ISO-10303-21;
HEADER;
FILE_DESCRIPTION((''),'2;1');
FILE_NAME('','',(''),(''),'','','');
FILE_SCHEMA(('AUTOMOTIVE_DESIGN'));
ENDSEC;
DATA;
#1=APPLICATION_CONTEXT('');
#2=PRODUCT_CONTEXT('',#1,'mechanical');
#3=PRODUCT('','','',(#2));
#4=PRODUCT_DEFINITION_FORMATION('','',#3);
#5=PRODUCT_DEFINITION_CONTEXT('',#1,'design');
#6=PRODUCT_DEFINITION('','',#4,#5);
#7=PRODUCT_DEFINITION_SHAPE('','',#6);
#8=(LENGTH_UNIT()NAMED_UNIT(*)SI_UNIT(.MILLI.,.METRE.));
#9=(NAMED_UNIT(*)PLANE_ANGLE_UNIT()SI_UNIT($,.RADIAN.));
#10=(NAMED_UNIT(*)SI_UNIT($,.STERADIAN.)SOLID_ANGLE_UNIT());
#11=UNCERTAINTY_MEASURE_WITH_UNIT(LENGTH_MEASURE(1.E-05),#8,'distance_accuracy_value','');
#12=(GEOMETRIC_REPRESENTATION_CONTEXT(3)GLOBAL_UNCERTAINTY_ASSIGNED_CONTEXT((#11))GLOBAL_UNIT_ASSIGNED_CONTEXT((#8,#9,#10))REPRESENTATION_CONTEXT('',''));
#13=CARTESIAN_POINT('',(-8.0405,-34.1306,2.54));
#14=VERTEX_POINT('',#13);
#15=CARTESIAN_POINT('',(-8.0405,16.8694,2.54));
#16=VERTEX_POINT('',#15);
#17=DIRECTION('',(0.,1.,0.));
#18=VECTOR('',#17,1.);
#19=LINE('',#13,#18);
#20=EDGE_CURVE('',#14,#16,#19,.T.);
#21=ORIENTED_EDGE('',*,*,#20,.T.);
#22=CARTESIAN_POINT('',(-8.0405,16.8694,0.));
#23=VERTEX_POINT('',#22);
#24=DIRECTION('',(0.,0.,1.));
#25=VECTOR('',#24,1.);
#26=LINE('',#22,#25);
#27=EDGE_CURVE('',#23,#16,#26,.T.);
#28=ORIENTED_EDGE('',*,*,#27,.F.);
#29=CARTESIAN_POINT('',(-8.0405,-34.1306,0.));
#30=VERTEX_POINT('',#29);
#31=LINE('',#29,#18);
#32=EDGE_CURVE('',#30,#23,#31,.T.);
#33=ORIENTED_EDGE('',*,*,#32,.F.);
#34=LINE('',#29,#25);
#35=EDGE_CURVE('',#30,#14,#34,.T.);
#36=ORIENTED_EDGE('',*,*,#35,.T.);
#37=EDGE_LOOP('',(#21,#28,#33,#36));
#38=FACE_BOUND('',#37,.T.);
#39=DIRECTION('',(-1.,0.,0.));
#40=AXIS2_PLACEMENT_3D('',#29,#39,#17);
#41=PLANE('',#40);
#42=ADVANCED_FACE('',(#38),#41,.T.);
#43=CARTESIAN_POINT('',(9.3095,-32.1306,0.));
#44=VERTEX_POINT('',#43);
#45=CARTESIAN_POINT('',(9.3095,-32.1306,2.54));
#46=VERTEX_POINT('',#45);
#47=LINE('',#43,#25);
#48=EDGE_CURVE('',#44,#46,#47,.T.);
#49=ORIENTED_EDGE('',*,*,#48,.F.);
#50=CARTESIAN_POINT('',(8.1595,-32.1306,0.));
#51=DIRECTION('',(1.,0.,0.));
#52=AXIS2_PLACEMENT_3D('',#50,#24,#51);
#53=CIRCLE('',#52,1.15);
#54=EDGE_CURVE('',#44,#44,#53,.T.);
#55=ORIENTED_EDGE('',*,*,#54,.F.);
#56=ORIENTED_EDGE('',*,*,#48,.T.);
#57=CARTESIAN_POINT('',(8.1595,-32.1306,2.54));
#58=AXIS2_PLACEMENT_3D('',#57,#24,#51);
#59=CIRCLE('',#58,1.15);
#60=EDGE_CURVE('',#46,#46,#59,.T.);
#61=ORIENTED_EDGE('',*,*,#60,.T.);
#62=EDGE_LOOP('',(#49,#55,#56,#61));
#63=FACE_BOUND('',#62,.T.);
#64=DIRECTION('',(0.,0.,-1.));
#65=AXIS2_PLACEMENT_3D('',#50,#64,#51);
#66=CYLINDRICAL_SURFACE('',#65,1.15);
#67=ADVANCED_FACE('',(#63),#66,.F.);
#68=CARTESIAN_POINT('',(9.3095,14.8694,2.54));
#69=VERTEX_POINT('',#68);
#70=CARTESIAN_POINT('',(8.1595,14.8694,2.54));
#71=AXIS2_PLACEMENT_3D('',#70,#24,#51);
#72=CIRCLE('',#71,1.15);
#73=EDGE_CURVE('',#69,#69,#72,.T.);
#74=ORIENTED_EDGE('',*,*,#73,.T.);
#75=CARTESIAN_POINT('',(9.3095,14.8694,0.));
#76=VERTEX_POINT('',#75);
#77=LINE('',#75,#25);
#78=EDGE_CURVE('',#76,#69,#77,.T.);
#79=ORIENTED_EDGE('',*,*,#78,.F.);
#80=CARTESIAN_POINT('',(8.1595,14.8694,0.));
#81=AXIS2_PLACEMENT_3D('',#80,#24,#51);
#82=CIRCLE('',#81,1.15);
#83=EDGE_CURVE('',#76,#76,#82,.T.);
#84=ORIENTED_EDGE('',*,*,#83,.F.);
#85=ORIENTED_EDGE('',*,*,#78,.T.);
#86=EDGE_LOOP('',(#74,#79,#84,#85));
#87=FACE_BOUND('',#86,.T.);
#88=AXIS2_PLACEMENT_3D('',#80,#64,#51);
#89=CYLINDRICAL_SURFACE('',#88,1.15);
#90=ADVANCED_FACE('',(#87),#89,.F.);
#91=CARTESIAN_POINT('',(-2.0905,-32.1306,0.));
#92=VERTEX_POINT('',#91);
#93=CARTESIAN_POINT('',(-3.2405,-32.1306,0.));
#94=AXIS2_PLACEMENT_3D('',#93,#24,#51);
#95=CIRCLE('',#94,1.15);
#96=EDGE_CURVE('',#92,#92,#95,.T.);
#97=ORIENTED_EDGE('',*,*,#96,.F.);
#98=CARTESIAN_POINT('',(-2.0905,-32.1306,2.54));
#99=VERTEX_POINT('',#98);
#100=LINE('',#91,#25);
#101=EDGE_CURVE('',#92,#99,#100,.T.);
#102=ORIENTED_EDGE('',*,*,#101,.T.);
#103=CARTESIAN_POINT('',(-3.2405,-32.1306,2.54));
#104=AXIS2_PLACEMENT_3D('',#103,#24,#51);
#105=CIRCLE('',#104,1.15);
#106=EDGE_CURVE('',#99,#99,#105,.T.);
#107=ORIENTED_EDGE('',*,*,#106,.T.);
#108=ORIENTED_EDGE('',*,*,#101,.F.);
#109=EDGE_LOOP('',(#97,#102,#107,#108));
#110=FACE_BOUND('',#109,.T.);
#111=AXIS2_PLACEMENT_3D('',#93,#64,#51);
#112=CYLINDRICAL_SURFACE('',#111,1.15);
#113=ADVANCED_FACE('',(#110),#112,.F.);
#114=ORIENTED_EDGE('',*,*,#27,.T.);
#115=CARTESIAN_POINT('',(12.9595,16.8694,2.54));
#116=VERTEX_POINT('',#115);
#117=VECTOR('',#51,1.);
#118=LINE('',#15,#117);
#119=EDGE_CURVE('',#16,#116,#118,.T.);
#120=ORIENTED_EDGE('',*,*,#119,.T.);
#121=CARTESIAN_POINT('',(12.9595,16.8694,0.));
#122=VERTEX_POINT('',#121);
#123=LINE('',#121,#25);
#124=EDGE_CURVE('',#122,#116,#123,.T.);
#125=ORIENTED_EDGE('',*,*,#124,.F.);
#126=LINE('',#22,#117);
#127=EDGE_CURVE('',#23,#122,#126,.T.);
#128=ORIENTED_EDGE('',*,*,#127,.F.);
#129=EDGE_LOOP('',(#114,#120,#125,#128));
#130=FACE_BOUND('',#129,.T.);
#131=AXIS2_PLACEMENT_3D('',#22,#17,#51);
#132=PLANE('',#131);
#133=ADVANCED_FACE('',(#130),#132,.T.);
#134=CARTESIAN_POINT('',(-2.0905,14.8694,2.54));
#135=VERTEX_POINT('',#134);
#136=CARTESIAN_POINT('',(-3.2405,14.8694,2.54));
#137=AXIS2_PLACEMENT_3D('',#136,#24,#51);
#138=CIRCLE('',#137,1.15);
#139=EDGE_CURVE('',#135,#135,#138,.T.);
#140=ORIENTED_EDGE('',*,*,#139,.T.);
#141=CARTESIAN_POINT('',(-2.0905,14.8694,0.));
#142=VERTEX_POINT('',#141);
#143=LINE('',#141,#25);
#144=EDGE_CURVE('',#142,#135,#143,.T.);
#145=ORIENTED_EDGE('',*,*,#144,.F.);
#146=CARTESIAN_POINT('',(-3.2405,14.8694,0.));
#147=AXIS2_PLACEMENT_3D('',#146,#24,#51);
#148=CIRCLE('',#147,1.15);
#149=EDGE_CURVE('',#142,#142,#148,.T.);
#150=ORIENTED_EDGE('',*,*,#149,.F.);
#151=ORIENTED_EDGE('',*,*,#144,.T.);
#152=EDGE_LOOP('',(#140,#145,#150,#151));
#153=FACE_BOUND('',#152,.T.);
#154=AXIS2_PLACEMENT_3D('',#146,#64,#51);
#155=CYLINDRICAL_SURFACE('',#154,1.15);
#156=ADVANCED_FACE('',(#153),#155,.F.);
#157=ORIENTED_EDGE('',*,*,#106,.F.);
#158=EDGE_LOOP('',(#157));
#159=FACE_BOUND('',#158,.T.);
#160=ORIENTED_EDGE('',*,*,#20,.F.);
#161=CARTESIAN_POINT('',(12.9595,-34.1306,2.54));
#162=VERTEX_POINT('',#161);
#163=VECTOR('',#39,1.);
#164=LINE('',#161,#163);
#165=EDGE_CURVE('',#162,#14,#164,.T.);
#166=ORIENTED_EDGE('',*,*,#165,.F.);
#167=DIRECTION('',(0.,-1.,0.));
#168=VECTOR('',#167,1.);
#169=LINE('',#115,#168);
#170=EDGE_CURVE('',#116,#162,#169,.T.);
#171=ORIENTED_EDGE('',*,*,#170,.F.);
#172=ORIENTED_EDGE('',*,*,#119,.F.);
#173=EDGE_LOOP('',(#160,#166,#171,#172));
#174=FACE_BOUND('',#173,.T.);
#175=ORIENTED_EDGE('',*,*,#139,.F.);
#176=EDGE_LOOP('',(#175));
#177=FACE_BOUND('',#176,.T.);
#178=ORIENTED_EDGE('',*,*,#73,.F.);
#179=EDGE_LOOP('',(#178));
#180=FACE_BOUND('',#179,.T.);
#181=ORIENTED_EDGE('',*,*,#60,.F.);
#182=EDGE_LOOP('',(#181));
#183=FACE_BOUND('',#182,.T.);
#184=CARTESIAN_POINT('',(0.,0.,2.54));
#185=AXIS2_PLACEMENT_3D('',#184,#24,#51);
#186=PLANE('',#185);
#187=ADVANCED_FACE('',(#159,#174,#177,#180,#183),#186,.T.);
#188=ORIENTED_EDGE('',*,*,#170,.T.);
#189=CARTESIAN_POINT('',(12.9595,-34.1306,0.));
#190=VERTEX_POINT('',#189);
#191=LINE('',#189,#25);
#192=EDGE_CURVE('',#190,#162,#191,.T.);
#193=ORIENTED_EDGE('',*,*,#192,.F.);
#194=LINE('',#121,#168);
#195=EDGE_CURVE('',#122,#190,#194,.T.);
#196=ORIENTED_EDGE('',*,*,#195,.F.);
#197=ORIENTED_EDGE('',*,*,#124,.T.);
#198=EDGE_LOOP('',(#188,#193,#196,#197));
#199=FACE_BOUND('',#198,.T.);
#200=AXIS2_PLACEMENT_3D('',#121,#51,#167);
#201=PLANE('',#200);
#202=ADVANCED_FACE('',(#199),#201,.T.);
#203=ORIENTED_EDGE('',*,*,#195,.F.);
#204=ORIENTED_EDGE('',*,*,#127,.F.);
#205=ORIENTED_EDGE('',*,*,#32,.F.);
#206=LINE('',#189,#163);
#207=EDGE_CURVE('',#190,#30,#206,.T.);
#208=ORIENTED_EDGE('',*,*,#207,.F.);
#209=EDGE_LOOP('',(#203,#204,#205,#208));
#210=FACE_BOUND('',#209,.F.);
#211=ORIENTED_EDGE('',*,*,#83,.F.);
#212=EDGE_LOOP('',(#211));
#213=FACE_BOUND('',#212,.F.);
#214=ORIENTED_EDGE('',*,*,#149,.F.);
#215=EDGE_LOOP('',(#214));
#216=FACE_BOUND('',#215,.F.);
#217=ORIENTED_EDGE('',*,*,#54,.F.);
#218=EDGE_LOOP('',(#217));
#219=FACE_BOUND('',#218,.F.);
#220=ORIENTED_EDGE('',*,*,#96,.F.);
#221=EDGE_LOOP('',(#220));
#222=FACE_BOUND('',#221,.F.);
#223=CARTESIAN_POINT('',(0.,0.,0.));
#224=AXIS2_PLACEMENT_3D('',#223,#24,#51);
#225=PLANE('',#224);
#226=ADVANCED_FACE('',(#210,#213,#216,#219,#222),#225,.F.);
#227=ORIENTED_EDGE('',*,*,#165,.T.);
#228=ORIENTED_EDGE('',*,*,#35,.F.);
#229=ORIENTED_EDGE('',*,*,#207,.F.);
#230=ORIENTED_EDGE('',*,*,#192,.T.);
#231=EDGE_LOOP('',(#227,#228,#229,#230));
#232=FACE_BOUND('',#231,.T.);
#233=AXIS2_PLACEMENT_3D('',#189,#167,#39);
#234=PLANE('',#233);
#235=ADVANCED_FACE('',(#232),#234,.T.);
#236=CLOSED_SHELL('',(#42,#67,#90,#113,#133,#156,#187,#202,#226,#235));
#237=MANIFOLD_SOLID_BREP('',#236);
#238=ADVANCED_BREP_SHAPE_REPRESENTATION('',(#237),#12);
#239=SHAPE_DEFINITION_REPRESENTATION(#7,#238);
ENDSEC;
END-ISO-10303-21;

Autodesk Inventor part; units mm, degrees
ref_plane "YZ Plane" through (0, 0, 0) normal (1, 0, 0) x (0, 1, 0)
ref_plane "XZ Plane" through (0, 0, 0) normal (0, 1, 0) x (-1, 0, 0)
ref_plane "XY Plane" through (0, 0, 0) normal (0, 0, 1) x (1, 0, 0)
sketch "Sketch1" plane through (0, 0, 0) normal (0, 0, 1) x (1, 0, 0)
  line L0 (-8.0405, 16.8694) -> (12.9595, 16.8694)
  line L1 (12.9595, 16.8694) -> (12.9595, -34.1306)
  line L2 (12.9595, -34.1306) -> (-8.0405, -34.1306)
  line L3 (-8.0405, -34.1306) -> (-8.0405, 16.8694)
  circle A0 centre (-3.2405, 14.8694) radius 1.05
  circle A1 centre (8.1595, 14.8694) radius 1.05
  circle A2 centre (-3.2405, -32.1306) radius 1.05
  circle A3 centre (8.1595, -32.1306) radius 1.05
  circle A4 centre (-3.2405, 14.8694) radius 1.15
  circle A5 centre (8.1595, 14.8694) radius 1.15
  circle A6 centre (-3.2405, -32.1306) radius 1.15
  circle A7 centre (8.1595, -32.1306) radius 1.15
  point P0 (0, 0)
  dimension "d0" = 21
  dimension "d1" = 51
  dimension "d2" = 2.1
  dimension "d3" = 2.1
  dimension "d4" = 2.1
  dimension "d5" = 2.1
  dimension "d6" = 2
  dimension "d7" = 2
  dimension "d8" = 2
  dimension "d9" = 2
  dimension "d10" = 11.4
  dimension "d11" = 4.8
  dimension "d12" = 11.4
  dimension "d13" = 4.8
  dimension "d14" = 0.1
  dimension "d15" = 0.1
  dimension "d16" = 0.1
  dimension "d17" = 0.1
extrude "Extrusion1" add sketch "Sketch1" along normal blind 2.54 contours L0 L1 L2 L3
properties part number "PicoTest"
